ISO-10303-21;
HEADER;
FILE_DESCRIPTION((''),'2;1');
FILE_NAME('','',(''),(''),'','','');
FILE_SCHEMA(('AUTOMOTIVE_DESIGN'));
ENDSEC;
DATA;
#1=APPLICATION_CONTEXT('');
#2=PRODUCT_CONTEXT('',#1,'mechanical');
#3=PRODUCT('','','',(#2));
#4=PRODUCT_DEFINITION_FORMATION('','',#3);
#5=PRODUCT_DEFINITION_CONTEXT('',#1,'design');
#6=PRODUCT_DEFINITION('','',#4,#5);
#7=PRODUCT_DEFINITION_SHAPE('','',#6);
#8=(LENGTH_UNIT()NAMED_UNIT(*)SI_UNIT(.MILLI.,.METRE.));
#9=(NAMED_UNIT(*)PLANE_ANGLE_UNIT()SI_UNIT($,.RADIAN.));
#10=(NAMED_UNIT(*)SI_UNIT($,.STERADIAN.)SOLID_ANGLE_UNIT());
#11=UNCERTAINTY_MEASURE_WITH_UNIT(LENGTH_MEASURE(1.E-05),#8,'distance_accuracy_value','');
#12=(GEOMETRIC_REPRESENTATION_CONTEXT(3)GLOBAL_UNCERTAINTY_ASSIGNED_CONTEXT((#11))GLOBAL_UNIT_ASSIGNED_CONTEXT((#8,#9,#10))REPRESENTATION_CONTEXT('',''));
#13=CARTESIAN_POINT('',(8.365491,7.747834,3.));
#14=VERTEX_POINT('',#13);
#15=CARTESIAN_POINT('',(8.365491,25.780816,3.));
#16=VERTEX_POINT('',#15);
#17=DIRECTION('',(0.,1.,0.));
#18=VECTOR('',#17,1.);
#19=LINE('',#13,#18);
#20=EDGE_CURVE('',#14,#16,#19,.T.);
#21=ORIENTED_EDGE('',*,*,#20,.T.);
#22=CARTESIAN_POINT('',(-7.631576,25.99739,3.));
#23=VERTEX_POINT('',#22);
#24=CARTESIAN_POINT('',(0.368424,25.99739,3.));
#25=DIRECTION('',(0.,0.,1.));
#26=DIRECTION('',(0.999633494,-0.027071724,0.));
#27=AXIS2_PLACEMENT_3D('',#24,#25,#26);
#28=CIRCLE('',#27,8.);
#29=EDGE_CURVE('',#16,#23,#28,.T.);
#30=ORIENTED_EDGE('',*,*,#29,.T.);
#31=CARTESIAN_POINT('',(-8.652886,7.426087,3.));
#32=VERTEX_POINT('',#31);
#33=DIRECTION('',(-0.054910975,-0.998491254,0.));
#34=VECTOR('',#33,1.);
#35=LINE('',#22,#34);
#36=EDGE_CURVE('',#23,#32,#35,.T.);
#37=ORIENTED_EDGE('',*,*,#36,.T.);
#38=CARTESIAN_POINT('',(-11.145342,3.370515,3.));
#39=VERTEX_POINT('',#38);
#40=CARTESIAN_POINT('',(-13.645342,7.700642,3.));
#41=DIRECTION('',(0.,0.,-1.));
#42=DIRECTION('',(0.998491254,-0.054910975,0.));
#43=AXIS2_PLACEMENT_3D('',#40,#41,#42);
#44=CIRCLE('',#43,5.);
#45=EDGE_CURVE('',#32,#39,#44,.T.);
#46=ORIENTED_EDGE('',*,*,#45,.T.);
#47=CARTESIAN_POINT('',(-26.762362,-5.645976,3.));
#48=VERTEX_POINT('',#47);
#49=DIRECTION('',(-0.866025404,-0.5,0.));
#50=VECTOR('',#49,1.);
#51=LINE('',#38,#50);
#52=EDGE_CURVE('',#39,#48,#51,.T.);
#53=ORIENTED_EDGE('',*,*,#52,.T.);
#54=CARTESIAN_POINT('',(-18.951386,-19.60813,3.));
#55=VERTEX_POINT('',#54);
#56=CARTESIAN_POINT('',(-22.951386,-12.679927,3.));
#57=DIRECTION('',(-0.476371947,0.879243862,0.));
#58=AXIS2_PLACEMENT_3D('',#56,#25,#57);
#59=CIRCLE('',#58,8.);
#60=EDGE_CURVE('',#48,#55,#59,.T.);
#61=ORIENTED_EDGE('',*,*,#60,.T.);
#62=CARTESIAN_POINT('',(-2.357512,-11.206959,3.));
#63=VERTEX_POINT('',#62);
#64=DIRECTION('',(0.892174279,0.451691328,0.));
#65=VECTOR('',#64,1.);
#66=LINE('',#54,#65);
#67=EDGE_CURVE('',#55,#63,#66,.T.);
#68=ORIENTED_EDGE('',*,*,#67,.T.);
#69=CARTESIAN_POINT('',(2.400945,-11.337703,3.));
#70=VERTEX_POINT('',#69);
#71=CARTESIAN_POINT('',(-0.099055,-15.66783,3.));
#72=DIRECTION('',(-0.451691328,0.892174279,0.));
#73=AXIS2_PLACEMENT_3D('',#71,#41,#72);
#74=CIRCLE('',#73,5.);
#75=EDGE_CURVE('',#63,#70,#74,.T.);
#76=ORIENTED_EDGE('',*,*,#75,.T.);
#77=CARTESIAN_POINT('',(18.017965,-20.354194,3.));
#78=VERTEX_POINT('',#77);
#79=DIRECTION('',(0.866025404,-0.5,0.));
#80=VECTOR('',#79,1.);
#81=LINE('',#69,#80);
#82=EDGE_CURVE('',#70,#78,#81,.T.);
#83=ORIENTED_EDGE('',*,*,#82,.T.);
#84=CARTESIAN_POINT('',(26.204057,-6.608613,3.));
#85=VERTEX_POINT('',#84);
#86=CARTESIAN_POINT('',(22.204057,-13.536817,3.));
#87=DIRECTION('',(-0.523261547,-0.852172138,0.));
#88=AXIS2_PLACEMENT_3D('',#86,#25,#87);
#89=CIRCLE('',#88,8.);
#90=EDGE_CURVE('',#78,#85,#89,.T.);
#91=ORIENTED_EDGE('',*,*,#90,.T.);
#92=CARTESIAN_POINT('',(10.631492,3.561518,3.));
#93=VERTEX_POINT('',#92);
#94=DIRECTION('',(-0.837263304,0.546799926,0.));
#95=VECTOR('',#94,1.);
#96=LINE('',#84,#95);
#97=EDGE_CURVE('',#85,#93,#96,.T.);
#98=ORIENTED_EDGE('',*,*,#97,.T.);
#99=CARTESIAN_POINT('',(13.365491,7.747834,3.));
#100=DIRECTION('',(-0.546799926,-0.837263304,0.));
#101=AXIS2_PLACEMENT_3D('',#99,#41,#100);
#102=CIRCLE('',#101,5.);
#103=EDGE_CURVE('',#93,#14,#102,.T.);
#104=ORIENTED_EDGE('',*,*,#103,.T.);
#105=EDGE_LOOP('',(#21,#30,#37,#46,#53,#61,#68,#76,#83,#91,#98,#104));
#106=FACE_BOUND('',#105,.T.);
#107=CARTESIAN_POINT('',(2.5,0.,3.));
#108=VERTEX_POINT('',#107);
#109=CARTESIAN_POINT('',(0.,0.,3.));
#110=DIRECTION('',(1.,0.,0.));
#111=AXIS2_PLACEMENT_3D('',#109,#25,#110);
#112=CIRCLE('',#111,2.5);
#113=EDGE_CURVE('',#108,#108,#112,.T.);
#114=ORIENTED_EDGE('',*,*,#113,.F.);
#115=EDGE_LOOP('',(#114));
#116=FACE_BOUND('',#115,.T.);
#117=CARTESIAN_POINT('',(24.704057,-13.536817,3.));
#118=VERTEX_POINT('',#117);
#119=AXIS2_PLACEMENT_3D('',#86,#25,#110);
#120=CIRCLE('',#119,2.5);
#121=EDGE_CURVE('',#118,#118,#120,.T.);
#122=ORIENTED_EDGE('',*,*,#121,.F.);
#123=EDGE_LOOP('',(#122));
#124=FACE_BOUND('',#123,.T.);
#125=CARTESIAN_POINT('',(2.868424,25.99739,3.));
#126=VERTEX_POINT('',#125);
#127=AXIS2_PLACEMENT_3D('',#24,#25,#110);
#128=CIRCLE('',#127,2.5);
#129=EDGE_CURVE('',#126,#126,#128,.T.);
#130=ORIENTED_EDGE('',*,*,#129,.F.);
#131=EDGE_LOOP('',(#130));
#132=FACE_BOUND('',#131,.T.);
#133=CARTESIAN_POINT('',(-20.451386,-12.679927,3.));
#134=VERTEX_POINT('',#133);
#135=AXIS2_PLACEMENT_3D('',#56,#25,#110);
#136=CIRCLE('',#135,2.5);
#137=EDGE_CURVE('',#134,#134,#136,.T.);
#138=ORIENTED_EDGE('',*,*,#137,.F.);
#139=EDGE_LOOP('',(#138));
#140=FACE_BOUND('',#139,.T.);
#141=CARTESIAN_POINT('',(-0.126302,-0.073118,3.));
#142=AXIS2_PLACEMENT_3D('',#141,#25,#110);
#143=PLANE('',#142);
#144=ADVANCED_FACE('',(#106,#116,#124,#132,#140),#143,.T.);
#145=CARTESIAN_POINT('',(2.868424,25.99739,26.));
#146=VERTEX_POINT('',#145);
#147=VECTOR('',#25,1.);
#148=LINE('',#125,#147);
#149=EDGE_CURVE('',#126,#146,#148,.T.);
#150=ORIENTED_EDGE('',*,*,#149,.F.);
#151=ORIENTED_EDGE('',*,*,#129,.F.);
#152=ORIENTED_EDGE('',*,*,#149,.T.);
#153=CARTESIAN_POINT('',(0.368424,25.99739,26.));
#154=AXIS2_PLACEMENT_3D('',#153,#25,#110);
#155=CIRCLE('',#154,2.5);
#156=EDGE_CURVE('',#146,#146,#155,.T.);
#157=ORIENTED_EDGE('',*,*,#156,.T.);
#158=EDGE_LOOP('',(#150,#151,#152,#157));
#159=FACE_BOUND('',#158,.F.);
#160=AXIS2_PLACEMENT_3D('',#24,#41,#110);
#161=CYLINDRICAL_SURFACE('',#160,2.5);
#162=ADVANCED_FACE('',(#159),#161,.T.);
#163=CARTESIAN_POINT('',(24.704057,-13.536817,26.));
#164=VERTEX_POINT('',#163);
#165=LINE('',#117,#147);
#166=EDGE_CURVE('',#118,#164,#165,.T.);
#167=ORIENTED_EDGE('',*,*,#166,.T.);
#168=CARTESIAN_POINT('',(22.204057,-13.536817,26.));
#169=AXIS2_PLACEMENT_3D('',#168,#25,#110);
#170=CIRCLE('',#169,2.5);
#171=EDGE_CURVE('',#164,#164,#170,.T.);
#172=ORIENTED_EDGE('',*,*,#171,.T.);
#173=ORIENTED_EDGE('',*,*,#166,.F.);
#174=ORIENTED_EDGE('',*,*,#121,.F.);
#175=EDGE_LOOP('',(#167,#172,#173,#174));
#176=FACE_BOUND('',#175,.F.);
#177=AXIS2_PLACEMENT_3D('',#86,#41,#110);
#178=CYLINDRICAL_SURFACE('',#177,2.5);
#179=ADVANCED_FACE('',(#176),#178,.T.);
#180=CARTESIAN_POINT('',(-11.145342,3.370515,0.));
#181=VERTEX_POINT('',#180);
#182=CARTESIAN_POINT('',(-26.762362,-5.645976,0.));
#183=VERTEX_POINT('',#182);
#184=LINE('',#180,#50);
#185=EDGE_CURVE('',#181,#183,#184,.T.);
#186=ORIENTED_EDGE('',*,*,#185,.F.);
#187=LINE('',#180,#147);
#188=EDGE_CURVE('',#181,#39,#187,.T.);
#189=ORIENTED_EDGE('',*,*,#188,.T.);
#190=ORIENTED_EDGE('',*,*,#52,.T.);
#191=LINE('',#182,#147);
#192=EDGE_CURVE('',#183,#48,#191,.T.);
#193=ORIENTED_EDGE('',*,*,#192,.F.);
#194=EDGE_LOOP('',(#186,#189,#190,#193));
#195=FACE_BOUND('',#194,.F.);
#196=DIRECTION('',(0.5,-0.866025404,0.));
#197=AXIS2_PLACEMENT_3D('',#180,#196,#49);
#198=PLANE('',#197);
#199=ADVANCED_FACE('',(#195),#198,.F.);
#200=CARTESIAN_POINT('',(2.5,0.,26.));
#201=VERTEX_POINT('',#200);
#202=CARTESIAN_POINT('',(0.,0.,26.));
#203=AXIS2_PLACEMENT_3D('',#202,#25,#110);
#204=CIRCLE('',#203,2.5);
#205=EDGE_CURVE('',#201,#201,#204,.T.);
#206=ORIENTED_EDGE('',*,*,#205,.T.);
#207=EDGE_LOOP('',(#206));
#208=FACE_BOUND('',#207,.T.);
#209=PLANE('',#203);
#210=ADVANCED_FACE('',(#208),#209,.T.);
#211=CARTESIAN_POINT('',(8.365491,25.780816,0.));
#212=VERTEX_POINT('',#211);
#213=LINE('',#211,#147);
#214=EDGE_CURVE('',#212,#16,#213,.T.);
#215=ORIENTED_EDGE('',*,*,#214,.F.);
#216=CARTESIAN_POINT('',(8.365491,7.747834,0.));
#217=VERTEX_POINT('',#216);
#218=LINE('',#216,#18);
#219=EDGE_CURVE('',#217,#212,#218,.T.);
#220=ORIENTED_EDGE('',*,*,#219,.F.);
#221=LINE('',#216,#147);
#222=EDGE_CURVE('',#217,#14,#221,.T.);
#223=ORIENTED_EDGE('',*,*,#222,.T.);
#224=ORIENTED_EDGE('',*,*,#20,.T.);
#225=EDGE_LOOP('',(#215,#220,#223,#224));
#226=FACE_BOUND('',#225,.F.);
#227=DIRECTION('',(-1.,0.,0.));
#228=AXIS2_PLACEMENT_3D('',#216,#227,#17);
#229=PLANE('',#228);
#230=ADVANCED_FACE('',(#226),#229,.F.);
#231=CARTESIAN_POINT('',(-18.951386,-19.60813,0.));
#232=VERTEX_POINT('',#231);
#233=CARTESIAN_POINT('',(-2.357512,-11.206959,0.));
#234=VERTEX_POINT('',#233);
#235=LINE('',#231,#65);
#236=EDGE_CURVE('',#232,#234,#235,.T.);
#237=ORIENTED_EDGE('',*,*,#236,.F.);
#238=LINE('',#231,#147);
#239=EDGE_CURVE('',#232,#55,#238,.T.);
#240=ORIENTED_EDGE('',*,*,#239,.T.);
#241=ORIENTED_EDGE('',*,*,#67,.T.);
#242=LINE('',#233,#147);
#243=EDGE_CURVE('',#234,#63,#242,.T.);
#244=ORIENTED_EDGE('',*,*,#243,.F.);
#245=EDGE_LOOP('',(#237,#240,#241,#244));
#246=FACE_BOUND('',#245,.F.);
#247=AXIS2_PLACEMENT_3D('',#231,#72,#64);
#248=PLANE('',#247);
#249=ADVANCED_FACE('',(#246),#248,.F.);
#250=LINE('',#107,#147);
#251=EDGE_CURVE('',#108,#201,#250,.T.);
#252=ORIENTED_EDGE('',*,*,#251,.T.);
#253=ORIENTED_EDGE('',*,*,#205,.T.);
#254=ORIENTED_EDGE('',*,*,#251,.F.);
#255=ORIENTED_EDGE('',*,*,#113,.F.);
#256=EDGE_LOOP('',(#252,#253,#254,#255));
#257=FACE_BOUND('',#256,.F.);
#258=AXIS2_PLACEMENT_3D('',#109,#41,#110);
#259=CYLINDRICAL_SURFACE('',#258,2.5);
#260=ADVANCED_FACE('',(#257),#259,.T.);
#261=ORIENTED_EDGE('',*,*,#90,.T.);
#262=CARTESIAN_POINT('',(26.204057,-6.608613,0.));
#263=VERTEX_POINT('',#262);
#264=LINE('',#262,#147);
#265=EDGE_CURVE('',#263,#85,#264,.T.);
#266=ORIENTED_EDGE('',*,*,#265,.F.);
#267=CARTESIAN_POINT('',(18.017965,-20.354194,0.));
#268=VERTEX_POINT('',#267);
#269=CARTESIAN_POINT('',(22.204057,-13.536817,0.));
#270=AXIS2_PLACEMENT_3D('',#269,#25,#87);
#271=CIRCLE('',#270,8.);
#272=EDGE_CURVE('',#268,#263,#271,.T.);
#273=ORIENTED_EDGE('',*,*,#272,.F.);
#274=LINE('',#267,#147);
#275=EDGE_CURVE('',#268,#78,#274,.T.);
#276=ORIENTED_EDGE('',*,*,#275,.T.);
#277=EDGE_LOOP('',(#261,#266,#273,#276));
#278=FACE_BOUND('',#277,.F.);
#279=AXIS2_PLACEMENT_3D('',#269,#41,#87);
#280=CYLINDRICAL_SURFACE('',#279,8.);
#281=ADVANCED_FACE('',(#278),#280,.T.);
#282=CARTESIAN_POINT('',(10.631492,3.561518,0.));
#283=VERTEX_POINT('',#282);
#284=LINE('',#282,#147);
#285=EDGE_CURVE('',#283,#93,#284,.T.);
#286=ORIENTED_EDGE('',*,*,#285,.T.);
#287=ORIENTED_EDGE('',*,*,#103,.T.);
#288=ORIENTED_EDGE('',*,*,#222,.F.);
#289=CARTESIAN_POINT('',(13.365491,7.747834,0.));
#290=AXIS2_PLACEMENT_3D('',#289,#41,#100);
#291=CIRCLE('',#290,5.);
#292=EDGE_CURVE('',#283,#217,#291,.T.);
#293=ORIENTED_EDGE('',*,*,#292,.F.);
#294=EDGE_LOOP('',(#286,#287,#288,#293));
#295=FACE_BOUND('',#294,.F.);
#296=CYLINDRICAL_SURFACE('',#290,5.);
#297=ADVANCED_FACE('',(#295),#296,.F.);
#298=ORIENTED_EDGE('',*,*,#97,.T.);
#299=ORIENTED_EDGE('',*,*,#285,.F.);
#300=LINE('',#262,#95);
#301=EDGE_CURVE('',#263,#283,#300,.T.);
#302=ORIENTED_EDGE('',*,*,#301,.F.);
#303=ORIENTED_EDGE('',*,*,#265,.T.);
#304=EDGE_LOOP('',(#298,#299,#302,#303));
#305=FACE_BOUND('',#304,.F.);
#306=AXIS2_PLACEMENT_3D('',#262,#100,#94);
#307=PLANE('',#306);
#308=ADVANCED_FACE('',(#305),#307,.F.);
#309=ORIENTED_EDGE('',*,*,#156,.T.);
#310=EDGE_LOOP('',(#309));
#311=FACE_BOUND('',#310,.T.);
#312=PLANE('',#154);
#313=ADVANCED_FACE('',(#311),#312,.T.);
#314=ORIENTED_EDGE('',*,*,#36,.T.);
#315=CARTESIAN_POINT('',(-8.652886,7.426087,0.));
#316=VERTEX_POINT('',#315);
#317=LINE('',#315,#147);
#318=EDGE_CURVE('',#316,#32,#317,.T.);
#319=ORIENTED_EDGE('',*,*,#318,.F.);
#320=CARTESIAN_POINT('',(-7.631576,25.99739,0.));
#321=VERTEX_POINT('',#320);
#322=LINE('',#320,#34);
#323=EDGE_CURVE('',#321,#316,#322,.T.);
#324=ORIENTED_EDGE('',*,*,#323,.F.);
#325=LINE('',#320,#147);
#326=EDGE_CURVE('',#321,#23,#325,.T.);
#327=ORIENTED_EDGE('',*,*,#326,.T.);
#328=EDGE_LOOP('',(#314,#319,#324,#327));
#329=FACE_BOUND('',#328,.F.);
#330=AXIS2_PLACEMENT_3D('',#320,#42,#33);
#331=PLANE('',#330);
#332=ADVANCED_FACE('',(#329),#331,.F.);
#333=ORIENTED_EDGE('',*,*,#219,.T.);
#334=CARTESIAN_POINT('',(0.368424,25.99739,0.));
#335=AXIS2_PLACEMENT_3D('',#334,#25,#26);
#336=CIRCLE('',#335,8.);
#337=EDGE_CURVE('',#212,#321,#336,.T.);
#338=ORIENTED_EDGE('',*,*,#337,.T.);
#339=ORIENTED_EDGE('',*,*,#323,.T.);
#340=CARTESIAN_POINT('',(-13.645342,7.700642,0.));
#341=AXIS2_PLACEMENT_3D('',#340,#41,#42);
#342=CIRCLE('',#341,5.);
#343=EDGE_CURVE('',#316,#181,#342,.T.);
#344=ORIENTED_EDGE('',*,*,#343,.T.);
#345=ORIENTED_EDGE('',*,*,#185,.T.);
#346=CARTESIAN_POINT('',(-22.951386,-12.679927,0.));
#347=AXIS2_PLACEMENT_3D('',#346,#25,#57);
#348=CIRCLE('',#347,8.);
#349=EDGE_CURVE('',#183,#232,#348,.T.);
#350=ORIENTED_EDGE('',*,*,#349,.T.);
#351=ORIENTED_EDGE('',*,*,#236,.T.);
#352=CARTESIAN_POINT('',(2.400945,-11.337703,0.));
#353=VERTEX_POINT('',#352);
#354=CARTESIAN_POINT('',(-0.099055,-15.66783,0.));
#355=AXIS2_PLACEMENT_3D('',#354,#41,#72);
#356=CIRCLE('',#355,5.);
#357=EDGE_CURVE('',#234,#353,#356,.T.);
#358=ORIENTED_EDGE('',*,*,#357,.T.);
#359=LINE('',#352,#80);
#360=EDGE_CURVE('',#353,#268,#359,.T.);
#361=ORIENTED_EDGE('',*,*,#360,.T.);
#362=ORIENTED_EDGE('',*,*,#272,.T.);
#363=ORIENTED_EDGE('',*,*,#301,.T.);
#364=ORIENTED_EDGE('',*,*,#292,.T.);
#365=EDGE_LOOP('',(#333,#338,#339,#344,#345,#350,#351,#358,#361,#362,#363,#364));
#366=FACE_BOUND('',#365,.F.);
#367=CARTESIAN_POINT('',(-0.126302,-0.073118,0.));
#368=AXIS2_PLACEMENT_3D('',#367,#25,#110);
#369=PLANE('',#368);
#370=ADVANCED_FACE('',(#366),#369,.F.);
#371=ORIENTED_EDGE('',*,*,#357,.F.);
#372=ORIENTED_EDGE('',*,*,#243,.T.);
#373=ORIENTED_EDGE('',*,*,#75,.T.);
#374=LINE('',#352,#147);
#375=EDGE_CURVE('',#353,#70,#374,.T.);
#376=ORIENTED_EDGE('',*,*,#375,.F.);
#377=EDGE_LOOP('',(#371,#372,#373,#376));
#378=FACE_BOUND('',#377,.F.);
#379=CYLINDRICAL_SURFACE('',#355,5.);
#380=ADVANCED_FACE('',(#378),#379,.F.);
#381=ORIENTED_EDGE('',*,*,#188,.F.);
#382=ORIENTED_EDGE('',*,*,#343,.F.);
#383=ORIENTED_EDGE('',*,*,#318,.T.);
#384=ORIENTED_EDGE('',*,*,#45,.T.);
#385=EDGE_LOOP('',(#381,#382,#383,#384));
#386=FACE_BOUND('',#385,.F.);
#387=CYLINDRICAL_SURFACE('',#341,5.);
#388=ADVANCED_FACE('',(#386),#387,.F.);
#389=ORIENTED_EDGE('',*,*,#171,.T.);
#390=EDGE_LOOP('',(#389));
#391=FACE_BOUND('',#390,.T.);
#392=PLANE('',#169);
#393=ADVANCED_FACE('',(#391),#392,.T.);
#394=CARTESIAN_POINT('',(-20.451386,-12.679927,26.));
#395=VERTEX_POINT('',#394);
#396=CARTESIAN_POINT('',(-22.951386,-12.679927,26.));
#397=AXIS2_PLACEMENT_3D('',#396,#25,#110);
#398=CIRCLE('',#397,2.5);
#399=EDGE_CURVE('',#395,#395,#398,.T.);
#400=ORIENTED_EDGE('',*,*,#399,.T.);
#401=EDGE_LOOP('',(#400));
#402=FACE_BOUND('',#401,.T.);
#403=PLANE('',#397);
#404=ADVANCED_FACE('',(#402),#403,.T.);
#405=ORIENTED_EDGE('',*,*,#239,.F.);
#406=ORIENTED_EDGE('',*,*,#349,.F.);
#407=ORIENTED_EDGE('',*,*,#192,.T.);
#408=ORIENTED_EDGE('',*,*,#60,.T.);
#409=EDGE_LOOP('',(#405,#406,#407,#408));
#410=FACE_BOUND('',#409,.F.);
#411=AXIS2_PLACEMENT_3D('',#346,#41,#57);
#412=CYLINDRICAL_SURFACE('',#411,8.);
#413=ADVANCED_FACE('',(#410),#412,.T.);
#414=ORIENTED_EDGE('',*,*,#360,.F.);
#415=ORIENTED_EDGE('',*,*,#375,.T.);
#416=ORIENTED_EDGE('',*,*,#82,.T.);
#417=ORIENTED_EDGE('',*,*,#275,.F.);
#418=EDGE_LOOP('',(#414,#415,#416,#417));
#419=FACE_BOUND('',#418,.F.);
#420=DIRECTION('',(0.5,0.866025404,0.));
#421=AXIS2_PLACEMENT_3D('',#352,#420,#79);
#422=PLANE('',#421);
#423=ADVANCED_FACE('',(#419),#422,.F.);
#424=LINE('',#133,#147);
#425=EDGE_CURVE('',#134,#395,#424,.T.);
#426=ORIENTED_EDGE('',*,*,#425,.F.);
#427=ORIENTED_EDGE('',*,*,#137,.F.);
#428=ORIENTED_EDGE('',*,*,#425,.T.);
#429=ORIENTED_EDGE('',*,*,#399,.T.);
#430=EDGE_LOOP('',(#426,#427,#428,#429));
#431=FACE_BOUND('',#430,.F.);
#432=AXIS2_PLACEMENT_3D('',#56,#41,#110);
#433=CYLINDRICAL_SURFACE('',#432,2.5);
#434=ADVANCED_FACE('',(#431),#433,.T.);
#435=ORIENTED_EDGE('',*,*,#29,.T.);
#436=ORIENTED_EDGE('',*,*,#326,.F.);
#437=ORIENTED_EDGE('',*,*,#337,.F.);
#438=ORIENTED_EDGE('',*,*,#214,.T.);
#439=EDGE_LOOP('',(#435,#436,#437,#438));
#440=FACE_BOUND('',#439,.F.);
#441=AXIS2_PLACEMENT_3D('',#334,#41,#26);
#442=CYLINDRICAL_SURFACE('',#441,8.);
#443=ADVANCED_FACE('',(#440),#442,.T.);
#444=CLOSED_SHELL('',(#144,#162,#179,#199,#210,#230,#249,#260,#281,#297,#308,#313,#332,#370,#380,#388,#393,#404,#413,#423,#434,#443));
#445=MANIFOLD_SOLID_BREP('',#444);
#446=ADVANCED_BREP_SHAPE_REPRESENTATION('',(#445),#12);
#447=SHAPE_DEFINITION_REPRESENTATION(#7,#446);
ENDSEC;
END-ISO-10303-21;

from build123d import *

# Parameters (mm, degrees)
F1_DEPTH = 3
F2_R     = 2.5
F3_DEPTH = 23


with BuildPart() as f1:
    # F0 (on Top) → F1 (new body)
    with BuildSketch(Plane.XY):
        with BuildLine():
            Line((8.3654914828, 7.7478343503), (8.3654914828, 25.7808157751))
            ThreePointArc((8.3654914828, 25.7808157751), (0.4767203504, 33.9966565171), (-7.631576467, 25.9973895632))
            Line((-7.631576467, 25.9973895632), (-8.6528857034, 7.4260866897))
            ThreePointArc((-8.6528857034, 7.4260866897), (-9.3855131516, 5.0826540918), (-11.1453419747, 3.3705145438))
            Line((-11.1453419747, 3.3705145438), (-26.7623619946, -5.6459761686))
            ThreePointArc((-26.7623619946, -5.6459761686), (-29.9331032244, -16.585772745), (-18.951386422, -19.6081302933))
            Line((-18.951386422, -19.6081302933), (-2.3575117339, -11.2069586004))
            ThreePointArc((-2.3575117339, -11.2069586004), (0.038274152, -10.6697162831), (2.400944907, -11.3377029763))
            Line((2.400944907, -11.3377029763), (18.0179649268, -20.3541936886))
            ThreePointArc((18.0179649268, -20.3541936886), (29.0774772891, -17.6302378543), (26.204057304, -6.6086133521))
            Line((26.204057304, -6.6086133521), (10.6314918524, 3.5615178285))
            ThreePointArc((10.6314918524, 3.5615178285), (8.9683334147, 5.3677081091), (8.3654914828, 7.7478343503))
        make_face()
        with BuildLine():
            ThreePointArc((-20.451386422, -12.679927063), (-25.3707248656, -13.3098488797), (-20.7688276181, -11.4607318089))
            ThreePointArc((-20.7688276181, -11.4607318089), (-20.5320479783, -12.0500052463), (-20.451386422, -12.679927063))
        make_face(mode=Mode.SUBTRACT)
        with BuildLine():
            ThreePointArc((24.704057304, -13.5368165824), (21.5399163779, -15.9469860432), (20.0569238399, -12.25626284))
            ThreePointArc((20.0569238399, -12.25626284), (22.8681982302, -11.1266471215), (24.704057304, -13.5368165824))
        make_face(mode=Mode.SUBTRACT)
        with BuildLine():
            ThreePointArc((-7.9164689421, -4.2812988086), (-7.6979940139, 4.6627125327), (0.127531223, 8.9990963873))
            ThreePointArc((0.127531223, 8.9990963873), (6.4088915191, 6.3187110629), (9, 0))
            ThreePointArc((9, 0), (8.6421794957, -2.5125153857), (7.5971703192, -4.8252464332))
            ThreePointArc((7.5971703192, -4.8252464332), (-0.315369081, -8.9944728774), (-7.9164689421, -4.2812988086))
        make_face(mode=Mode.SUBTRACT)
        with BuildLine():
            ThreePointArc((2.868423533, 25.9973895632), (2.1236210505, 24.217141919), (0.3329981933, 23.4976405667))
            ThreePointArc((0.3329981933, 23.4976405667), (-1.3867739845, 27.7776372074), (2.868423533, 25.9973895632))
        make_face(mode=Mode.SUBTRACT)
        with BuildLine():
            Line((7.5971703192, -4.8252464332), (2.0066709741, -1.4910639161))
            ThreePointArc((2.0066709741, -1.4910639161), (-0.2232494881, -2.4900119811), (-2.239906233, -1.1103243073))
            Line((-2.239906233, -1.1103243073), (-7.9164689421, -4.2812988086))
            ThreePointArc((-7.9164689421, -4.2812988086), (-0.315369081, -8.9944728774), (7.5971703192, -4.8252464332))
        make_face()
        with BuildLine():
            ThreePointArc((-2.239906233, -1.1103243073), (-2.1149683962, 1.333007383), (0.0354253397, 2.4997489965))
            Line((0.0354253397, 2.4997489965), (0.127531223, 8.9990963873))
            ThreePointArc((0.127531223, 8.9990963873), (-7.6979940139, 4.6627125327), (-7.9164689421, -4.2812988086))
            Line((-7.9164689421, -4.2812988086), (-2.239906233, -1.1103243073))
        make_face()
        with BuildLine():
            ThreePointArc((0.0354253397, 2.4997489965), (1.7802476442, 1.7551975175), (2.5, 0))
            ThreePointArc((2.5, 0), (2.3734655501, -0.7852778377), (2.0066709741, -1.4910639161))
            Line((2.0066709741, -1.4910639161), (7.5971703192, -4.8252464332))
            ThreePointArc((7.5971703192, -4.8252464332), (8.6421794957, -2.5125153857), (9, 0))
            ThreePointArc((9, 0), (6.4088915191, 6.3187110629), (0.127531223, 8.9990963873))
            Line((0.127531223, 8.9990963873), (0.0354253397, 2.4997489965))
        make_face()
        with BuildLine():
            ThreePointArc((2.868423533, 25.9973895632), (-1.3867739845, 27.7776372074), (0.3329981933, 23.4976405667))
            ThreePointArc((0.3329981933, 23.4976405667), (2.1236210505, 24.217141919), (2.868423533, 25.9973895632))
        make_face()
        with BuildLine():
            ThreePointArc((24.704057304, -13.5368165824), (22.8681982302, -11.1266471215), (20.0569238399, -12.25626284))
            ThreePointArc((20.0569238399, -12.25626284), (21.5399163779, -15.9469860432), (24.704057304, -13.5368165824))
        make_face()
        with BuildLine():
            ThreePointArc((2.0066709741, -1.4910639161), (2.3734655501, -0.7852778377), (2.5, 0))
            ThreePointArc((2.5, 0), (1.7802476442, 1.7551975175), (0.0354253397, 2.4997489965))
            ThreePointArc((0.0354253397, 2.4997489965), (-2.1149683962, 1.333007383), (-2.239906233, -1.1103243073))
            ThreePointArc((-2.239906233, -1.1103243073), (-0.2232494881, -2.4900119811), (2.0066709741, -1.4910639161))
        make_face()
        with BuildLine():
            ThreePointArc((-20.451386422, -12.679927063), (-20.5320479783, -12.0500052463), (-20.7688276181, -11.4607318089))
            ThreePointArc((-20.7688276181, -11.4607318089), (-25.3707248656, -13.3098488797), (-20.451386422, -12.679927063))
        make_face()
    extrude(amount=F1_DEPTH)

    # F2 (on face) → F3 (join)
    with BuildSketch(Plane.XY.offset(3)):
        with Locations((-22.951386422, -12.679927063)):
            Circle(F2_R)
        with Locations((0.368423533, 25.9973895632)):
            Circle(F2_R)
        with Locations((22.204057304, -13.5368165824)):
            Circle(F2_R)
        Circle(F2_R)
    extrude(amount=F3_DEPTH)


solid = f1.part
